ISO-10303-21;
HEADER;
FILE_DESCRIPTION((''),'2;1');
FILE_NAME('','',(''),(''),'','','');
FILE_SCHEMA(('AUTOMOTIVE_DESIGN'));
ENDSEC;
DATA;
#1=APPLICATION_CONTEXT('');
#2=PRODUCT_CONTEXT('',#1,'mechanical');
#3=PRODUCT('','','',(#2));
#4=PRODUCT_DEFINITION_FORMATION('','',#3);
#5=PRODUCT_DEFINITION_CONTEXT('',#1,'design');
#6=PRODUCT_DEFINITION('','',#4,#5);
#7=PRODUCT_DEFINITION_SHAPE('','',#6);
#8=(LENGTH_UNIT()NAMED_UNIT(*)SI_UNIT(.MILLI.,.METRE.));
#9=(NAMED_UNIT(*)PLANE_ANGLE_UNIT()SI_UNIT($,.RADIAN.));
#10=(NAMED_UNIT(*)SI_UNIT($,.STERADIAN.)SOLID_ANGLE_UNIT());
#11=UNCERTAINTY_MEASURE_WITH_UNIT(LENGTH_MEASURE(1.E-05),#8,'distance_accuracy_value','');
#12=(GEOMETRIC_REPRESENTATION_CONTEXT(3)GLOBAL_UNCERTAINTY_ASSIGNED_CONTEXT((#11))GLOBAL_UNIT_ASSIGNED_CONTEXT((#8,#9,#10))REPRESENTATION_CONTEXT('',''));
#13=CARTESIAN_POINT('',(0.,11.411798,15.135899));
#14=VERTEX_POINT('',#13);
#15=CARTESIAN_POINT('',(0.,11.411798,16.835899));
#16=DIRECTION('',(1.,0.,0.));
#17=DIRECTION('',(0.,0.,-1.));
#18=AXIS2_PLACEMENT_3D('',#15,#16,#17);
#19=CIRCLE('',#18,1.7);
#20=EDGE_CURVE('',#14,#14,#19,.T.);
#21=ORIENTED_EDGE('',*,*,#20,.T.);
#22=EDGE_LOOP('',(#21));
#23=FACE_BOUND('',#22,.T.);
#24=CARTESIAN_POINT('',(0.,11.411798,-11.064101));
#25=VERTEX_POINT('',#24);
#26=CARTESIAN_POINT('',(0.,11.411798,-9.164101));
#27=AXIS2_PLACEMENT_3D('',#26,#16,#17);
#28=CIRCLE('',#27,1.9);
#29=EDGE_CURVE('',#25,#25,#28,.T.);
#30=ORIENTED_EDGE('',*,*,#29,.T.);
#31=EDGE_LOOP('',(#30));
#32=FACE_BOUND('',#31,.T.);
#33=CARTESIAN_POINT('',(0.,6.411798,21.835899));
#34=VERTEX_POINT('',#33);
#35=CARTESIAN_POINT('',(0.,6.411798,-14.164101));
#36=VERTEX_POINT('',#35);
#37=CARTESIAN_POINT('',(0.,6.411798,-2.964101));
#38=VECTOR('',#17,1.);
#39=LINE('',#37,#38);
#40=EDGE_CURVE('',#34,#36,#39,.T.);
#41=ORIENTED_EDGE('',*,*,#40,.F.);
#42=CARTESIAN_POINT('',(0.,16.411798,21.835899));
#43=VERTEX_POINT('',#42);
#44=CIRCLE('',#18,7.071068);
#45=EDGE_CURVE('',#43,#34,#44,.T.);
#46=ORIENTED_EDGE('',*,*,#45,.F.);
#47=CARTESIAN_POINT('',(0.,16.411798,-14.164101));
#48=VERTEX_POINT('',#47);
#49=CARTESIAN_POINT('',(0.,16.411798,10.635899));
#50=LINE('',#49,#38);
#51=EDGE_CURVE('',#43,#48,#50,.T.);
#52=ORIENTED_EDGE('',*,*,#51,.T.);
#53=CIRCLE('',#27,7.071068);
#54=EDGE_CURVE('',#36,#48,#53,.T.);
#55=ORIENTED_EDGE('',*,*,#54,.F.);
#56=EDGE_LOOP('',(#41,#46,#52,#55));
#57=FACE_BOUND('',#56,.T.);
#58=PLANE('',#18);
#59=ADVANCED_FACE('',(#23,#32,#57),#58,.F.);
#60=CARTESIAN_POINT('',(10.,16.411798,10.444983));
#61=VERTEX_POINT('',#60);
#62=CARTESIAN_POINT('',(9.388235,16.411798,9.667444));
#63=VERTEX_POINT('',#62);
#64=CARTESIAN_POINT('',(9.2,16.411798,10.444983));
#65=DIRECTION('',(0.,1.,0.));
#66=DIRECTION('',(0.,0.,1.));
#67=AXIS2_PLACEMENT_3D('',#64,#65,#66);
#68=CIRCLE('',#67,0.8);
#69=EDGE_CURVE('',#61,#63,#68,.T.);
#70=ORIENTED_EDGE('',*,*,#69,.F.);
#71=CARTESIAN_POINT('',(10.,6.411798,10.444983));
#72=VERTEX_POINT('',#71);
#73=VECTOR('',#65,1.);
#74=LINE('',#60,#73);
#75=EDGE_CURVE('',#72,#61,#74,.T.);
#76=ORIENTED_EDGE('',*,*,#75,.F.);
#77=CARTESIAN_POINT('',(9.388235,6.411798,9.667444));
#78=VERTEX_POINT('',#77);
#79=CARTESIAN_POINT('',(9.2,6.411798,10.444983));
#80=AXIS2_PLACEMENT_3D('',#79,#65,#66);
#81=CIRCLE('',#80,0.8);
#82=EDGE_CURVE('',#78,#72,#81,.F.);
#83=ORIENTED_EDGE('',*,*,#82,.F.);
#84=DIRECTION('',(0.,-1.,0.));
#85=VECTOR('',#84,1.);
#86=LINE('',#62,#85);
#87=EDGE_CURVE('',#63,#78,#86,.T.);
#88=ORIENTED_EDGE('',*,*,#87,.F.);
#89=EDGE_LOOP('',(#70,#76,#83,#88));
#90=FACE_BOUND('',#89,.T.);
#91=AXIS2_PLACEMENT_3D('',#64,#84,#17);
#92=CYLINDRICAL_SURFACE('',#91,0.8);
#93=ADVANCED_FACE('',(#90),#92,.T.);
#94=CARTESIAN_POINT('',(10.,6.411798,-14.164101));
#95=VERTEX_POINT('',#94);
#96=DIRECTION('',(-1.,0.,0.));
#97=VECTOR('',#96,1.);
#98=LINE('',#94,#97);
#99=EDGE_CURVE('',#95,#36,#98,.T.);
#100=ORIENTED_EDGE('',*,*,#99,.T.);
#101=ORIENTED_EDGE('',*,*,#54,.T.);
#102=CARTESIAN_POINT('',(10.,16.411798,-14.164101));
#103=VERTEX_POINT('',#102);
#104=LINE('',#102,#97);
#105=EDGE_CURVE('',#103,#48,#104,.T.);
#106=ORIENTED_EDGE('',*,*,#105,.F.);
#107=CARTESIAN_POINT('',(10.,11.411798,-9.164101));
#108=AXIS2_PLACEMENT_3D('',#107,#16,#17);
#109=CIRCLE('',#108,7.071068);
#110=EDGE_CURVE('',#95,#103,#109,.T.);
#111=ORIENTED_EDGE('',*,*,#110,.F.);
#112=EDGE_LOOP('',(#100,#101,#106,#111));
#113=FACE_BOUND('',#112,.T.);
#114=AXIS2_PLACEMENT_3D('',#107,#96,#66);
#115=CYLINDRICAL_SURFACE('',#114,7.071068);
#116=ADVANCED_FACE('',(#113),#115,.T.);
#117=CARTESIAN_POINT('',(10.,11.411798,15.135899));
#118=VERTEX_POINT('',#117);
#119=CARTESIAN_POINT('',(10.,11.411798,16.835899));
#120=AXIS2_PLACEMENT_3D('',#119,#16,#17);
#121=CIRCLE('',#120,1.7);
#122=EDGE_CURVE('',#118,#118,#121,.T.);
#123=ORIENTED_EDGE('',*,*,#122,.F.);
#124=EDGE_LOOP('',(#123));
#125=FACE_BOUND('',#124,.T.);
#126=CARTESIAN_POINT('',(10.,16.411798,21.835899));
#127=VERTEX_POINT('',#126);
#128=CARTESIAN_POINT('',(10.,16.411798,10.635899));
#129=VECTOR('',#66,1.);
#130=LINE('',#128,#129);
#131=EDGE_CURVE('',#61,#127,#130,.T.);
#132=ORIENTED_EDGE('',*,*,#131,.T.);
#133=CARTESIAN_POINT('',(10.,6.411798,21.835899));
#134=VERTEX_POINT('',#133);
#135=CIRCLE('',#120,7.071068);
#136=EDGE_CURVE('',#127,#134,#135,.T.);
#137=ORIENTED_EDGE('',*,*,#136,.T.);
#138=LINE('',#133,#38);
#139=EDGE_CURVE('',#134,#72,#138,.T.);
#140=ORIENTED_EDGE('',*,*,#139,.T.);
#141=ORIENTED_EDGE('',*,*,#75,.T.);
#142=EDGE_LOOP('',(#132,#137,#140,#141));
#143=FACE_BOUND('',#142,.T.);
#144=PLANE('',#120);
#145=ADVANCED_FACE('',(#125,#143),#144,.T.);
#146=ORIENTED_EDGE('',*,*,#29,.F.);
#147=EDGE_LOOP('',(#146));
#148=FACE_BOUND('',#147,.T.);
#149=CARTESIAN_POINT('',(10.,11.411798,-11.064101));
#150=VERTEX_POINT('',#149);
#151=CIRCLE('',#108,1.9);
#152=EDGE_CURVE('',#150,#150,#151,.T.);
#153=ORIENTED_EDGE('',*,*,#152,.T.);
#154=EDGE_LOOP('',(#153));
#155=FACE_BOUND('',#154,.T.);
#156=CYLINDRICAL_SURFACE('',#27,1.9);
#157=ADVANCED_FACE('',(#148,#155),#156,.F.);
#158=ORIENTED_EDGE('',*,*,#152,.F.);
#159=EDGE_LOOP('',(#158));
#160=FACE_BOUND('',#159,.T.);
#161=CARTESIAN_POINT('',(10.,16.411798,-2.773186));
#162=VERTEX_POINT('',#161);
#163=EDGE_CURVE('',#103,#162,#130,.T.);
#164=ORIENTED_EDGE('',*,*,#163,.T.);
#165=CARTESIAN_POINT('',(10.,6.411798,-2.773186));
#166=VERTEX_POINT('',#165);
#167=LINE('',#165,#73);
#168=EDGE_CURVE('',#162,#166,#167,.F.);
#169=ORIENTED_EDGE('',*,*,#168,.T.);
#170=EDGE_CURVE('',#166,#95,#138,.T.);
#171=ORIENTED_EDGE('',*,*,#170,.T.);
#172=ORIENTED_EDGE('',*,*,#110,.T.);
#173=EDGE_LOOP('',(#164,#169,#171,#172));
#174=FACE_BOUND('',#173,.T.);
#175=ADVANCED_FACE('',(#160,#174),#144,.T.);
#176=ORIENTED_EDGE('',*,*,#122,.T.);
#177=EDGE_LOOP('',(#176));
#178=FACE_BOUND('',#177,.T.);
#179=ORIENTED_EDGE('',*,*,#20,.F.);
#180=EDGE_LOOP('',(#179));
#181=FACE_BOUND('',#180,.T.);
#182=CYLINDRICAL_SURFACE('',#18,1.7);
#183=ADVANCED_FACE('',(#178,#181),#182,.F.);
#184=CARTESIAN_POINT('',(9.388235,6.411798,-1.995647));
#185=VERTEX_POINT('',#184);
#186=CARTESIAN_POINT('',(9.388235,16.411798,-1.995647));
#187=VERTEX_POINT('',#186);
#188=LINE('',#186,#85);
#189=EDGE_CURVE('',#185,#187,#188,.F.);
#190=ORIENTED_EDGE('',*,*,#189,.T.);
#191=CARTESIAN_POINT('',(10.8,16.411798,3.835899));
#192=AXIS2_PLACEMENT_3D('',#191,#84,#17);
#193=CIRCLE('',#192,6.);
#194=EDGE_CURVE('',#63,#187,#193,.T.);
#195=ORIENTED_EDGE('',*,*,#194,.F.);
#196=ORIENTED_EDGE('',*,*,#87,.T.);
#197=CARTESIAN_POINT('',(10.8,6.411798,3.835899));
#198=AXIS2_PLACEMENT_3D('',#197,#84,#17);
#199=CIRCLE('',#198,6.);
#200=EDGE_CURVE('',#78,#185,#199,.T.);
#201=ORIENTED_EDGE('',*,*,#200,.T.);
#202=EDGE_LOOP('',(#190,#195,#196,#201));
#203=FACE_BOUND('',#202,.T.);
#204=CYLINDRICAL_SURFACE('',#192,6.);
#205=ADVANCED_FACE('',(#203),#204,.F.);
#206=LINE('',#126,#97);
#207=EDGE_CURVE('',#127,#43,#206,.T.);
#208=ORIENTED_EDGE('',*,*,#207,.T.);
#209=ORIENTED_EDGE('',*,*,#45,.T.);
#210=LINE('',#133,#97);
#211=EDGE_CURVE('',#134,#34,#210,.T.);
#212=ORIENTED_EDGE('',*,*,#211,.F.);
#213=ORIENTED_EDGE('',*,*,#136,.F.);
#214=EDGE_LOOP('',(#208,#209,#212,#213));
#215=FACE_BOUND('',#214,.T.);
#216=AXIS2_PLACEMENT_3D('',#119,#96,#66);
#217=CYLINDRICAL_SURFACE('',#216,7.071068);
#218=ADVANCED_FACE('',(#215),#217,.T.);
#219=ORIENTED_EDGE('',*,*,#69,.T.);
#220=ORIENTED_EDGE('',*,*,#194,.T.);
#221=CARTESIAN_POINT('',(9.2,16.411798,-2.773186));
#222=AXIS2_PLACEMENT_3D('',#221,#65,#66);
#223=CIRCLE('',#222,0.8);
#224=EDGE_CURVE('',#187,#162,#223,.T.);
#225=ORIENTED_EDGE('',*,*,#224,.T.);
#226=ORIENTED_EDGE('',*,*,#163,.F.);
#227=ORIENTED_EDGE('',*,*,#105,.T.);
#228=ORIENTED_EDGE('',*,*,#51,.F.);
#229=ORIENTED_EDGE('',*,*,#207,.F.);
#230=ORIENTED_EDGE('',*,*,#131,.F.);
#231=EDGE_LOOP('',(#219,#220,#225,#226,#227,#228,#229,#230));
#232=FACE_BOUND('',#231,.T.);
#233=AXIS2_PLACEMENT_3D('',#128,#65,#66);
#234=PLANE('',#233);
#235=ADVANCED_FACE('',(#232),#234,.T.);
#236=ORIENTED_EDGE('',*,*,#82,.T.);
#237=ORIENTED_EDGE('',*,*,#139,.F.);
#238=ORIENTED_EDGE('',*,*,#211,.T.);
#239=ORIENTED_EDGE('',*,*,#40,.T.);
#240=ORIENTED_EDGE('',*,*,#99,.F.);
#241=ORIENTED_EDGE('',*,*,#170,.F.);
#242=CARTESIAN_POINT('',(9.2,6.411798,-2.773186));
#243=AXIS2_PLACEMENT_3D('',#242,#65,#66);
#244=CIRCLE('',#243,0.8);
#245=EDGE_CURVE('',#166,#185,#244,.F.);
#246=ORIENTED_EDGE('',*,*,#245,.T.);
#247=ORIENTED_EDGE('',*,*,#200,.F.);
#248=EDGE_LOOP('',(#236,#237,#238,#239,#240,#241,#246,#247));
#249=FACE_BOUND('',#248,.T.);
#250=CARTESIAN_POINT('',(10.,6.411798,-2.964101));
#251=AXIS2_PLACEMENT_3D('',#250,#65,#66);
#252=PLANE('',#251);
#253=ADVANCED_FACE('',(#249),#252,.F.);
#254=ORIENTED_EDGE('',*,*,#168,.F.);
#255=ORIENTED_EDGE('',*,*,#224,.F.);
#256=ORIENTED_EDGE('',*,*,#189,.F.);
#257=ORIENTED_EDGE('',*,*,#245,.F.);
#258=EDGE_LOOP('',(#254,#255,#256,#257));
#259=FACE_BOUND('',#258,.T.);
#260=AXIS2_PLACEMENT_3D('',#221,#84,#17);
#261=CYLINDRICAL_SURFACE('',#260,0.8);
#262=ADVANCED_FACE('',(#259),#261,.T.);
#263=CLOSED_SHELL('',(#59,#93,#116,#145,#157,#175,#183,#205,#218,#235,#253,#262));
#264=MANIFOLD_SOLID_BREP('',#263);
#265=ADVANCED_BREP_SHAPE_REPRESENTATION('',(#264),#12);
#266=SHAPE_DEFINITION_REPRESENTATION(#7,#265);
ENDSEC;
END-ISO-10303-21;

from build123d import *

# Parameters (mm, degrees)
EXTRUDE_1_DEPTH     = 10
CUT_EXTRUDE_1_DEPTH = 28.77666362
FILLET_1_R          = 0.8
SKETCH_3_R          = 1.7
SKETCH_3_R_2        = 1.9
CUT_EXTRUDE_2_DEPTH = 10


with BuildPart() as part:
    # 草图1 → 凸台-拉伸1 (new body)
    with BuildSketch(Plane(origin=(0, 0, 0), x_dir=(0, 0, -1), z_dir=(1, 0, 0))):
        with BuildLine():
            Line((-10.635898576, 16.411798263), (2.964101424, 16.411798263))
            Line((2.964101424, 16.411798263), (14.164101424, 16.411798263))
            ThreePointArc((14.164101424, 16.411798263), (16.235169236, 11.411798263), (14.164101424, 6.411798263))
            Line((14.164101424, 6.411798263), (2.964101424, 6.411798263))
            Line((2.964101424, 6.411798263), (-10.635898576, 6.411798263))
            Line((-10.635898576, 6.411798263), (-21.835898576, 6.411798263))
            ThreePointArc((-21.835898576, 6.411798263), (-23.906966388, 11.411798263), (-21.835898576, 16.411798263))
            Line((-21.835898576, 16.411798263), (-10.635898576, 16.411798263))
        make_face()
    extrude(amount=EXTRUDE_1_DEPTH)

    # 草图2 → 切除-拉伸1 (cut, through all)
    with BuildSketch(Plane.XZ.offset(-6.411798263)):
        with BuildLine():
            Line((10, 9.782326075), (10, -2.110528923))
            ThreePointArc((10, -2.110528923), (4.8, 3.835898576), (10, 9.782326075))
        make_face()
    extrude(amount=-CUT_EXTRUDE_1_DEPTH, mode=Mode.SUBTRACT)

    # 圆角1
    fillet_1_edges = [part.edges().sort_by_distance(p)[0] for p in [
        (10, 11.411798263, -2.110528923),
        (10, 11.411798263, 9.782326075),
    ]]
    fillet(fillet_1_edges, radius=FILLET_1_R)

    # 草图3 → 切除-拉伸2 (cut)
    with BuildSketch(Plane(origin=(10, 0, 0), x_dir=(0, 0, -1), z_dir=(1, 0, 0))):
        with Locations((-16.835898576, 11.411798263)):
            Circle(SKETCH_3_R)
        with Locations((9.164101424, 11.411798263)):
            Circle(SKETCH_3_R_2)
    extrude(amount=-CUT_EXTRUDE_2_DEPTH, mode=Mode.SUBTRACT)


solid = part.part
